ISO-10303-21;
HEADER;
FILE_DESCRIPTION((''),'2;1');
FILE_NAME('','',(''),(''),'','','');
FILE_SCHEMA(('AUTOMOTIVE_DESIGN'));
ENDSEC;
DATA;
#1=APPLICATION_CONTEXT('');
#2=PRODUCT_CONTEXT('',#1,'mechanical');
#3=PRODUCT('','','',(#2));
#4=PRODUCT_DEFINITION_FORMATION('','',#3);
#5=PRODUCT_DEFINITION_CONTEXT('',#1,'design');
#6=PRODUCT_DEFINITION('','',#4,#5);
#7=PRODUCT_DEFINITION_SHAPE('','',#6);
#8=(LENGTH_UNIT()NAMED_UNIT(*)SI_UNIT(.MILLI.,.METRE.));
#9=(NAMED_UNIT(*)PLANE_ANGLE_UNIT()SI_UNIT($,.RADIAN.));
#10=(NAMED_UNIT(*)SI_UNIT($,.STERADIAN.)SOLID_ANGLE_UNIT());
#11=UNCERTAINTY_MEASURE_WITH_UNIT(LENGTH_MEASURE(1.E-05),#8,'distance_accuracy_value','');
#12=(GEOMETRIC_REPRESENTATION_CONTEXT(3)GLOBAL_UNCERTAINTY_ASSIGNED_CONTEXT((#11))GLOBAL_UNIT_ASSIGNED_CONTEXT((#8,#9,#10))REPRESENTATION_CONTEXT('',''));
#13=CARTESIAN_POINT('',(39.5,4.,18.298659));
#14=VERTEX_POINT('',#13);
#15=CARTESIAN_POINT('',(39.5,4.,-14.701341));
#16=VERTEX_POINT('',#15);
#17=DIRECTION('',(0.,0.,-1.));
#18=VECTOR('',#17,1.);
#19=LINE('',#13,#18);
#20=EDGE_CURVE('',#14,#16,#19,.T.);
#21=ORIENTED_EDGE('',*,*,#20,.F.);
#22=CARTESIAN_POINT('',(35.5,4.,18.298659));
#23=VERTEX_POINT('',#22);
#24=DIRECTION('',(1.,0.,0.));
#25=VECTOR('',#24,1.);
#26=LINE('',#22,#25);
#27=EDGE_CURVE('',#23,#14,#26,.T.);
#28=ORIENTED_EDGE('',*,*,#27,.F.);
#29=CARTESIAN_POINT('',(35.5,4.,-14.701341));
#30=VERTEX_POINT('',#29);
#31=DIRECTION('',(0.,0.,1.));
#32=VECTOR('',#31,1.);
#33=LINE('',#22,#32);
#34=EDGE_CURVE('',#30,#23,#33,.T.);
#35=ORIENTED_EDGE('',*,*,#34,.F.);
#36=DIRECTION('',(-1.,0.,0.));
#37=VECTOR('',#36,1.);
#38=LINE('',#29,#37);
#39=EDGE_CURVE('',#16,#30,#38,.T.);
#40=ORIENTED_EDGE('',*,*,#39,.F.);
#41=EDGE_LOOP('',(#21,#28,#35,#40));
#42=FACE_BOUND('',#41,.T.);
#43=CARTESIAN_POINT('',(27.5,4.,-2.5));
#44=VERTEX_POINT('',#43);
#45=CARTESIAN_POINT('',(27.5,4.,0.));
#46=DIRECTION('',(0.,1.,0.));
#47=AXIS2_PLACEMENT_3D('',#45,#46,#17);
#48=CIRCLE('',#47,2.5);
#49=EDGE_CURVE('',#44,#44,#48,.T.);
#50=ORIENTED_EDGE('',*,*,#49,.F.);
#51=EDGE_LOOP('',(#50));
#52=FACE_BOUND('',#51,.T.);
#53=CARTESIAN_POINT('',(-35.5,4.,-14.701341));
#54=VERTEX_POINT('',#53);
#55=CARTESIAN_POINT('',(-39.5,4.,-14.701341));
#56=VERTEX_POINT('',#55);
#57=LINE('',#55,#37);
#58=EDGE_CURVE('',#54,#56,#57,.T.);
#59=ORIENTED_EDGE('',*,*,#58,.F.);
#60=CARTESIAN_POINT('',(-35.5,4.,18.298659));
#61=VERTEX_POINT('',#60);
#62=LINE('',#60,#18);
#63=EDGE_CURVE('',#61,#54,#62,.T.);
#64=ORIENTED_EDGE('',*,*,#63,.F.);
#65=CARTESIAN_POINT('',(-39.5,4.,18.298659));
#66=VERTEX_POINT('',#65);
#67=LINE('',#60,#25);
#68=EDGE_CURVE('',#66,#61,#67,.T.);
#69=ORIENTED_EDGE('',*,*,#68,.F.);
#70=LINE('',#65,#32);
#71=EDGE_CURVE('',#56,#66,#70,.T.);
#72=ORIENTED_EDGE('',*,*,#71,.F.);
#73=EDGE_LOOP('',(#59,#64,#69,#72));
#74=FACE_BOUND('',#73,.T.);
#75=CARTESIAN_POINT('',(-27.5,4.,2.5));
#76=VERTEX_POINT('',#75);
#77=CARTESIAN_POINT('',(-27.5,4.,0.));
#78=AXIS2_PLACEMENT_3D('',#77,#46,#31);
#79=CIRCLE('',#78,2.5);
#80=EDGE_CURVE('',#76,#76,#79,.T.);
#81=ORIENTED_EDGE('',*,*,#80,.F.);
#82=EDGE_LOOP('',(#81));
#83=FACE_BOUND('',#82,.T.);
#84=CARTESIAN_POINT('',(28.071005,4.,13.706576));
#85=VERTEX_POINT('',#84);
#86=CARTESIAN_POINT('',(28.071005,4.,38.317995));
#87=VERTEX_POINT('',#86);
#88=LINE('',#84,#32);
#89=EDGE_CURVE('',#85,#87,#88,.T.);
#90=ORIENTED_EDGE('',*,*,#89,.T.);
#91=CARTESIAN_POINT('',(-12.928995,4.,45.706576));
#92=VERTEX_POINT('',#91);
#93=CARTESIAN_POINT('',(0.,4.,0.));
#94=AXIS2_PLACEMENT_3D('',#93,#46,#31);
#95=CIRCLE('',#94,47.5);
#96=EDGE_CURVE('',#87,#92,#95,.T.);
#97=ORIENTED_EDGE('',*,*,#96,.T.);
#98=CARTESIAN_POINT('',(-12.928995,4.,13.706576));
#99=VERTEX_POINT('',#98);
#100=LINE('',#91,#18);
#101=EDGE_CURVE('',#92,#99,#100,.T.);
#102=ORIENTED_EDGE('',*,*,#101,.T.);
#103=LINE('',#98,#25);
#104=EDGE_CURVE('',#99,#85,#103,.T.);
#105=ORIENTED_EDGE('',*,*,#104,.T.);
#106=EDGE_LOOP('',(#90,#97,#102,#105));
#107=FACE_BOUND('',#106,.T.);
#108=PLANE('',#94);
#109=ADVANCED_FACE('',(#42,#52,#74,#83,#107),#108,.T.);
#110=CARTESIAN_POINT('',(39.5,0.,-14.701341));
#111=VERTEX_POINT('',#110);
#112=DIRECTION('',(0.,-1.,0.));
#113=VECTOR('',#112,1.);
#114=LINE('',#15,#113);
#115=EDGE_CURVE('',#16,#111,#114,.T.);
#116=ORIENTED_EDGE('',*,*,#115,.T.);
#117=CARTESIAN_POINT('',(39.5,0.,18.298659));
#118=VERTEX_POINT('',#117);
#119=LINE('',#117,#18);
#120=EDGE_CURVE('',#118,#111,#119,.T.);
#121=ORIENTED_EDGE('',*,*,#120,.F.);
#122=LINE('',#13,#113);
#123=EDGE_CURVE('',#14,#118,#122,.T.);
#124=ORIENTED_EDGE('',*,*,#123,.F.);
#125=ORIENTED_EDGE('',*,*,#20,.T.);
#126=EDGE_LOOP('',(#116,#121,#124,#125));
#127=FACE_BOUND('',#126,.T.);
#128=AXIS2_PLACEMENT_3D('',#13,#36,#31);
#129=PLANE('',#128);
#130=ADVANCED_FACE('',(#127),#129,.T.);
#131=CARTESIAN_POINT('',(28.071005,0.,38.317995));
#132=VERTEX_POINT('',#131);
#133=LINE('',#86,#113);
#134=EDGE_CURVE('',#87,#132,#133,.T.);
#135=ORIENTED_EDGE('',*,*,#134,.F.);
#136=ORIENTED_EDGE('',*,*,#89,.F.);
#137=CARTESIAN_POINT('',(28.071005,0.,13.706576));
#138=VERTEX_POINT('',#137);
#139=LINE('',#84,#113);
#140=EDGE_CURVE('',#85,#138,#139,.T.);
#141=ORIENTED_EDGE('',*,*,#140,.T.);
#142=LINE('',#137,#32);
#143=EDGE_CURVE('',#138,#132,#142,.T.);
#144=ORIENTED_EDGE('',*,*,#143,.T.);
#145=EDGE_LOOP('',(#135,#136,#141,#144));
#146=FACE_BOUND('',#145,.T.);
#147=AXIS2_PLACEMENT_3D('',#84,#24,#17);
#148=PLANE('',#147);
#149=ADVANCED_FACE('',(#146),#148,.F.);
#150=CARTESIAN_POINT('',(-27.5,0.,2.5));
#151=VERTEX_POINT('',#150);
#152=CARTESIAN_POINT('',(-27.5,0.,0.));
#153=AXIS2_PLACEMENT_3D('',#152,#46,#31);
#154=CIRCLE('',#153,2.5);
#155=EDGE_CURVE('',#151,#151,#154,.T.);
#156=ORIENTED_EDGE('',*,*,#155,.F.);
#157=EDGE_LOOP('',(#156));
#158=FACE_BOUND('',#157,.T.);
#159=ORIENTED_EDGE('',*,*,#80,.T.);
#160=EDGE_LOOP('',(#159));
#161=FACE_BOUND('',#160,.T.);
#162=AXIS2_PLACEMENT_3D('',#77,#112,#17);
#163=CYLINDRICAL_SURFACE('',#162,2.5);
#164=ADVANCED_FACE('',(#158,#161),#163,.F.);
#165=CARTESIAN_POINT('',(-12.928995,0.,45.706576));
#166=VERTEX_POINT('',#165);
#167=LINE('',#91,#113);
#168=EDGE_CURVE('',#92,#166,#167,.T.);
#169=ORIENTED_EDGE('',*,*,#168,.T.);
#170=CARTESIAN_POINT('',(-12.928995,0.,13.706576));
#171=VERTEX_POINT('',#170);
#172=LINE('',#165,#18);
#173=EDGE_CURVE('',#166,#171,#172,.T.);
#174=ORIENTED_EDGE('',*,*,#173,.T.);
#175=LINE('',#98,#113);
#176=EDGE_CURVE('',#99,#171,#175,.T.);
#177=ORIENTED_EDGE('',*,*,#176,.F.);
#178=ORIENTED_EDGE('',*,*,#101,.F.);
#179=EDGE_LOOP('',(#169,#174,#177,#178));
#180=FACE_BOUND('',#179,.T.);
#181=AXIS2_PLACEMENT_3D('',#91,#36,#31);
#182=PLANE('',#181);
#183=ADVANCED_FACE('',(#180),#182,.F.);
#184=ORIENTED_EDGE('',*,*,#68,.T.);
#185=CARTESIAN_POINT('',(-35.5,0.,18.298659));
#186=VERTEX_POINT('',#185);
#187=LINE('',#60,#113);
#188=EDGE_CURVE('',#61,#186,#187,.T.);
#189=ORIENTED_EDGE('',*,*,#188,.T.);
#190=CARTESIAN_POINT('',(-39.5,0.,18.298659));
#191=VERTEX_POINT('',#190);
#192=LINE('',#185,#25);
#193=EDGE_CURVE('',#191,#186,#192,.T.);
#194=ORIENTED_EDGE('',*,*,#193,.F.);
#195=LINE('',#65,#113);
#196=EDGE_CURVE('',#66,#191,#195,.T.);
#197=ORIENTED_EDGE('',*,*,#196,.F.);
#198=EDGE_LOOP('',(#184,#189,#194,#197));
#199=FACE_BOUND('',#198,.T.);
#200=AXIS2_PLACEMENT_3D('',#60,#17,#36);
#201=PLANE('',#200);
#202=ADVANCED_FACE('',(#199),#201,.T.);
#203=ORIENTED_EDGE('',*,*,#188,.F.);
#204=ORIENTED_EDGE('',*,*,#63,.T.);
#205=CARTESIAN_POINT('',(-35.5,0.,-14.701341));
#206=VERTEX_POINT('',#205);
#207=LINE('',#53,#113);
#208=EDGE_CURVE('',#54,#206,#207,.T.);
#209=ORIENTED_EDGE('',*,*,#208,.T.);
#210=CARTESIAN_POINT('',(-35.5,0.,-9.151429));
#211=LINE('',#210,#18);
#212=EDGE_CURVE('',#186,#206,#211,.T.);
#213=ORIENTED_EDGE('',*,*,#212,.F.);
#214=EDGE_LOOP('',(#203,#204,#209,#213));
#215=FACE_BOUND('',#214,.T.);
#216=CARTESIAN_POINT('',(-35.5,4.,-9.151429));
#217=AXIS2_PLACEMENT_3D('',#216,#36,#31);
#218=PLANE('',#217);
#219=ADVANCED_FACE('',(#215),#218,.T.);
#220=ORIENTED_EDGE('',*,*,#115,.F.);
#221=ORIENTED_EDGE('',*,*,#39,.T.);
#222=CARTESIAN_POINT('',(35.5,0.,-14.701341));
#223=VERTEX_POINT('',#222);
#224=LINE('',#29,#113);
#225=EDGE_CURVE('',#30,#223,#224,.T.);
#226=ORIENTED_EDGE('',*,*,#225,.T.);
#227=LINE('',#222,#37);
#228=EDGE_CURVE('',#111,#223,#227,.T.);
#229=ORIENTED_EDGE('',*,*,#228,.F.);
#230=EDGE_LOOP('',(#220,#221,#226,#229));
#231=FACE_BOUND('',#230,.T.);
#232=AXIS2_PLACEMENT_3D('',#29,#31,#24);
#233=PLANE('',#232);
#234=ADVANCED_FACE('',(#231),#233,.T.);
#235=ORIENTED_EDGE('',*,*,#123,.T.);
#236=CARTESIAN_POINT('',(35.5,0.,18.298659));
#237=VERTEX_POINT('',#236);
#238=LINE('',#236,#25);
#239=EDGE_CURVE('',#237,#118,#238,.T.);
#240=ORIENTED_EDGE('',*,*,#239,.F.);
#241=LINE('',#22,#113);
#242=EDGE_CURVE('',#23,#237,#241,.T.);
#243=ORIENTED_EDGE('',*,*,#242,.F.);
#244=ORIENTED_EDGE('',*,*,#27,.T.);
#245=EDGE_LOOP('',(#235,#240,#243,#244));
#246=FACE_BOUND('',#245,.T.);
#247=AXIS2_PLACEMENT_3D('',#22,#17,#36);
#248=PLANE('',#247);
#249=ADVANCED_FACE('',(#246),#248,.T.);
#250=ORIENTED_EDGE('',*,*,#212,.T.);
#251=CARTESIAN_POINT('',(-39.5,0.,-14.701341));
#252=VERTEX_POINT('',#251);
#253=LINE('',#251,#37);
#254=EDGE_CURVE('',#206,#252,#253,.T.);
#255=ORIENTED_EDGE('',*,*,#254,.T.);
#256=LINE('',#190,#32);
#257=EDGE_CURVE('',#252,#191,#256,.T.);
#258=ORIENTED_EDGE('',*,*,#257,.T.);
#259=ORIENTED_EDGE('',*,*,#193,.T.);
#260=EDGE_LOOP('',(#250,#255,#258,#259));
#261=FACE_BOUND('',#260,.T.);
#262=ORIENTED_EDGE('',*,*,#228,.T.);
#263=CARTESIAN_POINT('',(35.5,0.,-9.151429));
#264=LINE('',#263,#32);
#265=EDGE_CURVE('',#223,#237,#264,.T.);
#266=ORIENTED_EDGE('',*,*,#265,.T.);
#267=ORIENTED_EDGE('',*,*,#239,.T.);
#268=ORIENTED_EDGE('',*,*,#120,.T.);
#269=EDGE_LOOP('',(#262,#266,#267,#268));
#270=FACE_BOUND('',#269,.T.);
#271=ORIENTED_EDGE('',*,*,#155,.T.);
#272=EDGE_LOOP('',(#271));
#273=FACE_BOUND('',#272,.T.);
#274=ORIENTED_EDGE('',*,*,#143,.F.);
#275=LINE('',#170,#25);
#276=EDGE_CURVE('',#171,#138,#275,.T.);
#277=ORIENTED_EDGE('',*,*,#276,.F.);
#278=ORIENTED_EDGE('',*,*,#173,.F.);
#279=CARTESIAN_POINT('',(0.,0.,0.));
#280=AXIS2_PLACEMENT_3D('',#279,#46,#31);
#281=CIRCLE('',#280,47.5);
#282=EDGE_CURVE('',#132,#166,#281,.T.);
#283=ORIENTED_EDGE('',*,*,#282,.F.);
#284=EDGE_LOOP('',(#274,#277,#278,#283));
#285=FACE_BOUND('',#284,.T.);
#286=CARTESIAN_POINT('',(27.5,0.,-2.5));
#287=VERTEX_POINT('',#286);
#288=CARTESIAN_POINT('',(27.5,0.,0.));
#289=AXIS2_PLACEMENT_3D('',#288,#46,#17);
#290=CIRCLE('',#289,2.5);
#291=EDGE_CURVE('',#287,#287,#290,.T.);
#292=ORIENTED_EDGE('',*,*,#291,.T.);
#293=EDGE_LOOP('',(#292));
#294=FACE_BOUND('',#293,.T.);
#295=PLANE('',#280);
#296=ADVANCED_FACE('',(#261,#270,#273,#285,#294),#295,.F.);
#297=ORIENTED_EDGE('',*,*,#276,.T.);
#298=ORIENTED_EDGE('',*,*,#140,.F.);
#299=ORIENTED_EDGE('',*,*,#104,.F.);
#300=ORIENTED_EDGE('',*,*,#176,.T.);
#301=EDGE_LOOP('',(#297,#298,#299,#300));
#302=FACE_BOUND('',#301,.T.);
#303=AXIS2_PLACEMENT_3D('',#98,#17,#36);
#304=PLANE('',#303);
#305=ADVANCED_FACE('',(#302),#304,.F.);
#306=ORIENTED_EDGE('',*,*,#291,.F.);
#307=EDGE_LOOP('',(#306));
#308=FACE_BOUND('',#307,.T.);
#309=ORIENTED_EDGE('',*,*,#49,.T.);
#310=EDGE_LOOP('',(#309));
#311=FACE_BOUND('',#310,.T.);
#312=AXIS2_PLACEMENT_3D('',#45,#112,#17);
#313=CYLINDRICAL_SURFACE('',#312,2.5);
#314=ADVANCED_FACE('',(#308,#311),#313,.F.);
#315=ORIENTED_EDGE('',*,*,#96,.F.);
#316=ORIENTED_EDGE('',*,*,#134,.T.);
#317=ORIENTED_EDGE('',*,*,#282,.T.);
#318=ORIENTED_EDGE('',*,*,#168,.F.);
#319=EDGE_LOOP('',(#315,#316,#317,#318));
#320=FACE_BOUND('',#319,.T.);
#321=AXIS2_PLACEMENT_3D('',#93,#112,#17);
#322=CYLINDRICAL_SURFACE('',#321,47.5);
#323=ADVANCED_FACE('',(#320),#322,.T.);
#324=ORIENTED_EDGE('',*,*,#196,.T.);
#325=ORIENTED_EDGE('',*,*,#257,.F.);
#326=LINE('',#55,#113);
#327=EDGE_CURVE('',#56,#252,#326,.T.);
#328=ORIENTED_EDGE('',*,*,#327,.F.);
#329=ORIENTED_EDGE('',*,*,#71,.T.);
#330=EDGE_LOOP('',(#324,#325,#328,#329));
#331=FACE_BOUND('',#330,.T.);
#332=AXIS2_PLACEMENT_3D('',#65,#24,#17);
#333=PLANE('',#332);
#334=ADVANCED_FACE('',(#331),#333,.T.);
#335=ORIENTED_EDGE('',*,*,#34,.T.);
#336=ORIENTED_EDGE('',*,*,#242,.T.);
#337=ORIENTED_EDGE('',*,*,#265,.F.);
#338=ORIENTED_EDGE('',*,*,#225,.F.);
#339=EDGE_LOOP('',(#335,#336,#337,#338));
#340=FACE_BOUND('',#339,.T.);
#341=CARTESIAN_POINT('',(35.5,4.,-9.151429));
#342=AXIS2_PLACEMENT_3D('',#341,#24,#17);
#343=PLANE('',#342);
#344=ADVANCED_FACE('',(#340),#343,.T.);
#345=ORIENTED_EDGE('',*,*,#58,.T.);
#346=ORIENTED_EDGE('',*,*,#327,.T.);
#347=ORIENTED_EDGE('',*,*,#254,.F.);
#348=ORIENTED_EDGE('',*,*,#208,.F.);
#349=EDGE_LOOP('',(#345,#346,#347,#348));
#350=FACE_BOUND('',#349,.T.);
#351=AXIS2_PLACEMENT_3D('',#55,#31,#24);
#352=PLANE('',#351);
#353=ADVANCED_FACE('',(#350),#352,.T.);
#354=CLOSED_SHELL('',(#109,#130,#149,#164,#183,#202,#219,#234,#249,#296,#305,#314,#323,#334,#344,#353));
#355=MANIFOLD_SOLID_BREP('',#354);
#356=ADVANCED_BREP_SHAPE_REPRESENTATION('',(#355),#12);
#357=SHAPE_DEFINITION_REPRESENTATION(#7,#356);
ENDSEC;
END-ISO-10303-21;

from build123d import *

# Parameters (mm, degrees)
SKETCH1_R           = 2.5
BOSS_EXTRUDE2_DEPTH = 4


with BuildPart() as part:
    # Sketch1 → Boss-Extrude2 (new body)
    with BuildSketch(Plane(origin=(0, 0, 0), x_dir=(1, 0, 0), z_dir=(0, 1, 0))):
        with BuildLine():
            Line((-12.928995443, -45.70657586), (-12.928995443, -13.70657586))
            Line((-12.928995443, -13.70657586), (28.071004557, -13.70657586))
            Line((28.071004557, -13.70657586), (28.071004557, -38.317994509))
            ThreePointArc((28.071004557, -38.317994509), (-8.424244393, 46.747001042), (-12.928995443, -45.70657586))
        make_face()
        with Locations(Location((-27.5, 0, 0), (0, 0, 270))):
            Circle(SKETCH1_R, mode=Mode.SUBTRACT)
        with Locations(Location((27.5, 0, 0), (0, 0, 90))):
            Circle(SKETCH1_R, mode=Mode.SUBTRACT)
        Polygon((35.5, -18.298658927), (39.5, -18.298658927), (39.5, 14.701341073), (35.5, 14.701341073), (35.5, 9.151429429), align=None, mode=Mode.SUBTRACT)
        Polygon((-35.5, -18.298658927), (-39.5, -18.298658927), (-39.5, 14.701341073), (-35.5, 14.701341073), (-35.5, 9.151429429), align=None, mode=Mode.SUBTRACT)
    extrude(amount=BOSS_EXTRUDE2_DEPTH)


solid = part.part
